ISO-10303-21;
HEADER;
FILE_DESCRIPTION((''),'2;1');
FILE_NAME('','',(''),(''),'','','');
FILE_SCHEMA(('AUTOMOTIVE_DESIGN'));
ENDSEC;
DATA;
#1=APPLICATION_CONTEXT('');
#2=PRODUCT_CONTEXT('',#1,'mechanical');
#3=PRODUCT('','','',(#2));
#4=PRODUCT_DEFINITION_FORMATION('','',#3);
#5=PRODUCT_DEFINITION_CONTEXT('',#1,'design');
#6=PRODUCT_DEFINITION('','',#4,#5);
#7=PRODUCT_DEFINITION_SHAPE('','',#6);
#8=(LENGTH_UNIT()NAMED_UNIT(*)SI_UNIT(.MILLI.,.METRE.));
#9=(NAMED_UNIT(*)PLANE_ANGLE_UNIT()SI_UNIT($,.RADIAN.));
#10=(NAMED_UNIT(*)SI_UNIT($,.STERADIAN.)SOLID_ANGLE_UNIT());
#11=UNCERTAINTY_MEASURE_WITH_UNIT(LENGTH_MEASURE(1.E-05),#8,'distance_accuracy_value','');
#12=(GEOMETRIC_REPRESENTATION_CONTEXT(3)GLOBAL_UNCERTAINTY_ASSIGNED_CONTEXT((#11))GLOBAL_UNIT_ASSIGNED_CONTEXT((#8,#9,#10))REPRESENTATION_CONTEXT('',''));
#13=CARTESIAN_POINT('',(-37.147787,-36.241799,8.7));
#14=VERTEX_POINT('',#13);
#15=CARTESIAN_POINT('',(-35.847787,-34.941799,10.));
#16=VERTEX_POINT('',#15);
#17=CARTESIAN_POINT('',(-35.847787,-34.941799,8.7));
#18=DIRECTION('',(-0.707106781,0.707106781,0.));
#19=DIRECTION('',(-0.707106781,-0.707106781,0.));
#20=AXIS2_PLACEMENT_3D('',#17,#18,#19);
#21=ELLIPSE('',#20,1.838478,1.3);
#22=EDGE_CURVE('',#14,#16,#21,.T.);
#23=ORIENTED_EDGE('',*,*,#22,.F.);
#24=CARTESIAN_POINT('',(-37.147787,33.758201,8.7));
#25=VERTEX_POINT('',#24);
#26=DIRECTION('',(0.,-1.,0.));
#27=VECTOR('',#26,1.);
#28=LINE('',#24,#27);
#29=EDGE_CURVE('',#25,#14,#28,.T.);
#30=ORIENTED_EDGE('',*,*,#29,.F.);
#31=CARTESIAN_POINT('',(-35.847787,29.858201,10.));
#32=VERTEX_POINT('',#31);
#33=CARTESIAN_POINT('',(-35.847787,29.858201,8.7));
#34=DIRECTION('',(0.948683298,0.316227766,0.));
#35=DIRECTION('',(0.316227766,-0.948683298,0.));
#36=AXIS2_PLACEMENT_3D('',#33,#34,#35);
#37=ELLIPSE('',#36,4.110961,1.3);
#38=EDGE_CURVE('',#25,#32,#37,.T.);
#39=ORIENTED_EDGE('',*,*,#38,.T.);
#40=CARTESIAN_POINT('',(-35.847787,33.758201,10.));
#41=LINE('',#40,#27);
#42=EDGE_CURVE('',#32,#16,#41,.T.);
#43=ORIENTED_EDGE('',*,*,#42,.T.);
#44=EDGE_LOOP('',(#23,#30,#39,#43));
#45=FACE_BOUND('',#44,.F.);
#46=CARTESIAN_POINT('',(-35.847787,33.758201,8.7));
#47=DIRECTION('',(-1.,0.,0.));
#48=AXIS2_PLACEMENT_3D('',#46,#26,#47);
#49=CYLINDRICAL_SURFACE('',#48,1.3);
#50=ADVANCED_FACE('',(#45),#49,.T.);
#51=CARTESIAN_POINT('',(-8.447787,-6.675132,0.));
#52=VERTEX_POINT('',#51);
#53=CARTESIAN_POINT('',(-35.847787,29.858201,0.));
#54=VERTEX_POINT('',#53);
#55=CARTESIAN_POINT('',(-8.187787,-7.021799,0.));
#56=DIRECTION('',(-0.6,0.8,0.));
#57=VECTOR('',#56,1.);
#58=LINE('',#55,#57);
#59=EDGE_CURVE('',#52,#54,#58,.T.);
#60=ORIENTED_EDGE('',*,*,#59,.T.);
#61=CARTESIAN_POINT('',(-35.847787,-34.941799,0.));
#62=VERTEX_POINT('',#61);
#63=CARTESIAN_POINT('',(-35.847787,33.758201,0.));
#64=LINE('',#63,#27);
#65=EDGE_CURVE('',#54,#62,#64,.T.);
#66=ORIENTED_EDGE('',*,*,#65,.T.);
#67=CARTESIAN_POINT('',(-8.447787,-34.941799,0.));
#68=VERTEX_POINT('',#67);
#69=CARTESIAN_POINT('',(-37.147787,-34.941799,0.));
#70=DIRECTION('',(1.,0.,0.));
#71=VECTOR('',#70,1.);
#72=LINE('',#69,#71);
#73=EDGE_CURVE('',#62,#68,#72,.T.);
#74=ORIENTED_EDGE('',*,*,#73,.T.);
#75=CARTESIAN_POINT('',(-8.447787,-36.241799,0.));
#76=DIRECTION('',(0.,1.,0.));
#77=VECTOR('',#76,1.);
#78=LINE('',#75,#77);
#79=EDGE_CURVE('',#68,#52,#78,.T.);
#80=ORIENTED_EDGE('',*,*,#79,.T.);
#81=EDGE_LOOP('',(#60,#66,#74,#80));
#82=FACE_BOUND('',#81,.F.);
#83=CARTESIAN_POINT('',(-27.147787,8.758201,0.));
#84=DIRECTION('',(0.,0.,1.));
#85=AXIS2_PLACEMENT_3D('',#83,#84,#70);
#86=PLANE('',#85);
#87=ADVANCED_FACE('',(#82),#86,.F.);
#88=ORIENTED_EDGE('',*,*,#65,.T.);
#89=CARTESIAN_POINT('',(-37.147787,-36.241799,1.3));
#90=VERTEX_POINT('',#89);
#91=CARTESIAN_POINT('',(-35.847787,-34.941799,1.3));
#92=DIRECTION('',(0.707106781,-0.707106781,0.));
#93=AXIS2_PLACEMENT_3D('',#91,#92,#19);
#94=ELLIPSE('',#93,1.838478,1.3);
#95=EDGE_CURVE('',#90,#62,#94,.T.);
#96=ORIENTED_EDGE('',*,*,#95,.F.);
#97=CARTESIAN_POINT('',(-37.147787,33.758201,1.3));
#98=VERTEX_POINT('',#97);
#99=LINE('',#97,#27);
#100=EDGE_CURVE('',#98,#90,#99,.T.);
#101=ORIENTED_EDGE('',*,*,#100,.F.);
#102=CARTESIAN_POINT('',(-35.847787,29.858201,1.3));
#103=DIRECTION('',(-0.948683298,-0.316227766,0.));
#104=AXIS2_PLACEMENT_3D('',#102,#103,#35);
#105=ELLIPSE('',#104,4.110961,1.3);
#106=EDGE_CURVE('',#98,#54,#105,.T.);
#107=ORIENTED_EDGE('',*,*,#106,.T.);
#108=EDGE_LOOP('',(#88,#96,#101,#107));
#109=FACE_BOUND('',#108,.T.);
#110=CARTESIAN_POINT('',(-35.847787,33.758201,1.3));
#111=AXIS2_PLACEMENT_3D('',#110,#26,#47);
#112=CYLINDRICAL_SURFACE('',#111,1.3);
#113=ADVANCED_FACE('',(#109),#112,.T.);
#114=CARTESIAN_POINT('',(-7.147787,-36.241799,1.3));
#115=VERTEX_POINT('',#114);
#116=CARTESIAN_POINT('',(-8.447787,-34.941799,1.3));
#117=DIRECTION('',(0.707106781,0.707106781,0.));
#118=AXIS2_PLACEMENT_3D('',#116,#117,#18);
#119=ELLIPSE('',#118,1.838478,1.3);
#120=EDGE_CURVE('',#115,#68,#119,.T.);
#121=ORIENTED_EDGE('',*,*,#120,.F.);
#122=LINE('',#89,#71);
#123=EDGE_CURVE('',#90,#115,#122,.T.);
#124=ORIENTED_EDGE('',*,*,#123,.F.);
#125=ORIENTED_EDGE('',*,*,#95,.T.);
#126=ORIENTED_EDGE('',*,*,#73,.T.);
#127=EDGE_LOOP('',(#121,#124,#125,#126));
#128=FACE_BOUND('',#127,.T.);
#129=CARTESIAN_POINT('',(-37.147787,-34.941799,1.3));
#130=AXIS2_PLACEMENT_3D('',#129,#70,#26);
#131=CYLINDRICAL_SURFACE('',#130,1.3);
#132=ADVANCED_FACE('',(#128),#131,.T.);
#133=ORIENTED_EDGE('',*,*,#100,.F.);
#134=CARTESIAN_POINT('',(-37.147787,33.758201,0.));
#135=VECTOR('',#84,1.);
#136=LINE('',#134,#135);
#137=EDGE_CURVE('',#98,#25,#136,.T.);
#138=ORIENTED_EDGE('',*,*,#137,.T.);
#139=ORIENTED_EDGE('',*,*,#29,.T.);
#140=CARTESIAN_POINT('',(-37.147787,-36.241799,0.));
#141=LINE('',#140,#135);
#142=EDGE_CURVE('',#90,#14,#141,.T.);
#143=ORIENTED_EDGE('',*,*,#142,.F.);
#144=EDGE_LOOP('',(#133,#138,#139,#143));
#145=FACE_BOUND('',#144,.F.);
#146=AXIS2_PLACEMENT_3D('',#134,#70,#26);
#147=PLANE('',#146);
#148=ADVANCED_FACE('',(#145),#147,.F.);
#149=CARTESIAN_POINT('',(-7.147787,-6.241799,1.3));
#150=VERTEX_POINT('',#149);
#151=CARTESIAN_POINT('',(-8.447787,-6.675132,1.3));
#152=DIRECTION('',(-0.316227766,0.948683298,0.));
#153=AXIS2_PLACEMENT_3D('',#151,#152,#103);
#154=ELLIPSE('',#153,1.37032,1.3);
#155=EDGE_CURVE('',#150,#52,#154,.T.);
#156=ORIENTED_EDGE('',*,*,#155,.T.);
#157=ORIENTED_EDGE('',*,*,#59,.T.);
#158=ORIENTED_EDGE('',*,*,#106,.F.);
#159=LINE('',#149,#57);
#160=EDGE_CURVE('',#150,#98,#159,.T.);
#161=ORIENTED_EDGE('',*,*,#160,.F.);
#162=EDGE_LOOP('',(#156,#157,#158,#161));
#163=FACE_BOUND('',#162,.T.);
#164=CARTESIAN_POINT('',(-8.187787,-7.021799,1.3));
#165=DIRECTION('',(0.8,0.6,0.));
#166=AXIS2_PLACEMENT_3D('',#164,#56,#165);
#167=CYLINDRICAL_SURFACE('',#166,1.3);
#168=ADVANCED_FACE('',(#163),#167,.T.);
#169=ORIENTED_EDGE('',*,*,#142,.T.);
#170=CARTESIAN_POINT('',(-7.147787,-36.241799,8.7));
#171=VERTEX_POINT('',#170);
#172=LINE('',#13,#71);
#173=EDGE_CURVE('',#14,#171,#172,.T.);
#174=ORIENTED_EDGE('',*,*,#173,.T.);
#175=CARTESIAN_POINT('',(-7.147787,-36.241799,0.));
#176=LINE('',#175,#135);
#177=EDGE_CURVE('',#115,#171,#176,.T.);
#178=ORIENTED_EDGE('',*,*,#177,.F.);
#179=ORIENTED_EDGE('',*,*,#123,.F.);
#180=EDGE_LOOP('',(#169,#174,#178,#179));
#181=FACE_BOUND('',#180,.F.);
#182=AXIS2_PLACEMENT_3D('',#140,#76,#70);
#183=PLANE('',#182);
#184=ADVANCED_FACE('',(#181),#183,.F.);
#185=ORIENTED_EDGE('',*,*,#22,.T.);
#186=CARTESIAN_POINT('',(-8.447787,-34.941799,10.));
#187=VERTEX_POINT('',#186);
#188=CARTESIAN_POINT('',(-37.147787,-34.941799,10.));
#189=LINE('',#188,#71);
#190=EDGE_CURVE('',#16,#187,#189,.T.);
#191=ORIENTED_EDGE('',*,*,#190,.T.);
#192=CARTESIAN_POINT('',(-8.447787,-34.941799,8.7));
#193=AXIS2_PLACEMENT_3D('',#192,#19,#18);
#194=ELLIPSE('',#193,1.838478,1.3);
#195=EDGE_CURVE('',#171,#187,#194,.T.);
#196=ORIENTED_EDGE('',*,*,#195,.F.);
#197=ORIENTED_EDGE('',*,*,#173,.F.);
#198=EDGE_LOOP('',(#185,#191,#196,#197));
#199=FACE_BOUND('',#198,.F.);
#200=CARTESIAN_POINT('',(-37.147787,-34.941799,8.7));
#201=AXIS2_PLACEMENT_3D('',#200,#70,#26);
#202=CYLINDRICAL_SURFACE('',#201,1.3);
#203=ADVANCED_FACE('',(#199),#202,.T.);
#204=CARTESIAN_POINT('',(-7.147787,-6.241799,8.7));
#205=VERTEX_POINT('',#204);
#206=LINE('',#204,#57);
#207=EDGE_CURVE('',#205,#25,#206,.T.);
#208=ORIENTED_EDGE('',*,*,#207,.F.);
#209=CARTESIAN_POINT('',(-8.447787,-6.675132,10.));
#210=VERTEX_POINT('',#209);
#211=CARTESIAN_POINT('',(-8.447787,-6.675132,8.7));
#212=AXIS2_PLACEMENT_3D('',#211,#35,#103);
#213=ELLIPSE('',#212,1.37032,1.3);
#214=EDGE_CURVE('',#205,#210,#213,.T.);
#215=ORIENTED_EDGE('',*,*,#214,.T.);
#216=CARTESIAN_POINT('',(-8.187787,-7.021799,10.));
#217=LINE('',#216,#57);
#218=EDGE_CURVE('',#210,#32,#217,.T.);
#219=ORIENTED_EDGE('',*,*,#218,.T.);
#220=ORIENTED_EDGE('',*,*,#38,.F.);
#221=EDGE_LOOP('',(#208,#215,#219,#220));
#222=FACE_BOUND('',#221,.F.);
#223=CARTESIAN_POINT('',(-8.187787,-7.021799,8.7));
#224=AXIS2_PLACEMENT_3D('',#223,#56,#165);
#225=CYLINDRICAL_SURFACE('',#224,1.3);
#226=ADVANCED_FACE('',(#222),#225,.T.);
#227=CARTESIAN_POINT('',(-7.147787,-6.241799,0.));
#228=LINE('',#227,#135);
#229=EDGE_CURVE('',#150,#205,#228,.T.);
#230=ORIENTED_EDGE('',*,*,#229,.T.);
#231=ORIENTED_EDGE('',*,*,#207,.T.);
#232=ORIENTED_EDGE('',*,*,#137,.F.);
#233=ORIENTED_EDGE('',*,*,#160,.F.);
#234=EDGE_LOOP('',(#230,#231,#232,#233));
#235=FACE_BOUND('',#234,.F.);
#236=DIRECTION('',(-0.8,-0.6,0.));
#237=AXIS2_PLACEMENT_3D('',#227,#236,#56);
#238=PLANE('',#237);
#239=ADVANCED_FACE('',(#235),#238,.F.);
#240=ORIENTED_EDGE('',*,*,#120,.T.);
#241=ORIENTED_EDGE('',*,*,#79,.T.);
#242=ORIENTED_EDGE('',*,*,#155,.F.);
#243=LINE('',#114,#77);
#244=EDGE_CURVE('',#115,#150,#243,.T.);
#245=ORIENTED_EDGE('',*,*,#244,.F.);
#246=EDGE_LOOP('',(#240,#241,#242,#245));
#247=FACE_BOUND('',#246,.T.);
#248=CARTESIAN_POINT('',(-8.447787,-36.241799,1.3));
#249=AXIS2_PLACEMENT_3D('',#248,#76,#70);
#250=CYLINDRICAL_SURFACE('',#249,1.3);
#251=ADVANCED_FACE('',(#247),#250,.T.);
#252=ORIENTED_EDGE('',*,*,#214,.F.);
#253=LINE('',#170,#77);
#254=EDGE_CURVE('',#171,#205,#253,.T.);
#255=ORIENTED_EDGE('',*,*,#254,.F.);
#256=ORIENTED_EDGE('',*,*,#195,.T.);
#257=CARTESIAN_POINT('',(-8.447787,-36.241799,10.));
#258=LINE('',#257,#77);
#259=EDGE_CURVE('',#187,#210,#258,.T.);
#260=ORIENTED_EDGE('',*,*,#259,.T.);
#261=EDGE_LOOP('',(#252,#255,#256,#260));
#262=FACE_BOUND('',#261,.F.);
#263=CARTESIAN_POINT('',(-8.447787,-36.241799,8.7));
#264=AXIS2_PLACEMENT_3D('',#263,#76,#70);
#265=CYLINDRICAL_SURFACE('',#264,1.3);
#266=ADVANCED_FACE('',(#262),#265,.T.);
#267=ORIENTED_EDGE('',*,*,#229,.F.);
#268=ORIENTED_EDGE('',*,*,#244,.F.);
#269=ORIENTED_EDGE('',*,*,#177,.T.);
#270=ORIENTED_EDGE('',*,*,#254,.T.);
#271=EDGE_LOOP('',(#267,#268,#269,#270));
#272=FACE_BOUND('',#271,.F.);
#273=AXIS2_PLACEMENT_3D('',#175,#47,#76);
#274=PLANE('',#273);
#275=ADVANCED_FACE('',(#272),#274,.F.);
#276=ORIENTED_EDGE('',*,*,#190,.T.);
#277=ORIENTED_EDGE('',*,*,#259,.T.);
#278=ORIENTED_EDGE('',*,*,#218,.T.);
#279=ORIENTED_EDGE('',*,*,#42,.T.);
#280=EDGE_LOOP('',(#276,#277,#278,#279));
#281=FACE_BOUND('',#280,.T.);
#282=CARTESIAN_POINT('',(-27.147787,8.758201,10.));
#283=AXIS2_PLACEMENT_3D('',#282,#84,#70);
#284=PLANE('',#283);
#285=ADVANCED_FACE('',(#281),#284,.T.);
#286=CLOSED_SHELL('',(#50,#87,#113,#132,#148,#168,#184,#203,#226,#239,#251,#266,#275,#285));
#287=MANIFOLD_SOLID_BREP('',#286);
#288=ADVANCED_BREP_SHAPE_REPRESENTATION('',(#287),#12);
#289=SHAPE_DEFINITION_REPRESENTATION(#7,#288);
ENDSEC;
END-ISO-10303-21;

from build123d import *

# Parameters (mm, degrees)
F0_W     = 30
F0_H     = 30
F1_DEPTH = 10
F2_R     = 1.3


with BuildPart() as f1:
    # F0 (on Top) → F1 (new body)
    with BuildSketch(Plane.XY):
        Polygon((-37.147787, 33.758201), (-37.147787, -6.241799), (-7.147787, -6.241799), align=None)
        with Locations((-22.147787, -21.241799)):
            Rectangle(F0_W, F0_H)
    extrude(amount=F1_DEPTH)

    # F2
    f2_edges = [f1.edges().sort_by_distance(p)[0] for p in [
        (-37.147787, -1.241799, 10),
        (-22.147787, 13.758201, 10),
        (-7.147787, -21.241799, 10),
        (-22.147787, -36.241799, 10),
        (-37.147787, -1.241799, 0),
        (-22.147787, 13.758201, 0),
        (-7.147787, -21.241799, 0),
        (-22.147787, -36.241799, 0),
    ]]
    fillet(f2_edges, radius=F2_R)


solid = f1.part
